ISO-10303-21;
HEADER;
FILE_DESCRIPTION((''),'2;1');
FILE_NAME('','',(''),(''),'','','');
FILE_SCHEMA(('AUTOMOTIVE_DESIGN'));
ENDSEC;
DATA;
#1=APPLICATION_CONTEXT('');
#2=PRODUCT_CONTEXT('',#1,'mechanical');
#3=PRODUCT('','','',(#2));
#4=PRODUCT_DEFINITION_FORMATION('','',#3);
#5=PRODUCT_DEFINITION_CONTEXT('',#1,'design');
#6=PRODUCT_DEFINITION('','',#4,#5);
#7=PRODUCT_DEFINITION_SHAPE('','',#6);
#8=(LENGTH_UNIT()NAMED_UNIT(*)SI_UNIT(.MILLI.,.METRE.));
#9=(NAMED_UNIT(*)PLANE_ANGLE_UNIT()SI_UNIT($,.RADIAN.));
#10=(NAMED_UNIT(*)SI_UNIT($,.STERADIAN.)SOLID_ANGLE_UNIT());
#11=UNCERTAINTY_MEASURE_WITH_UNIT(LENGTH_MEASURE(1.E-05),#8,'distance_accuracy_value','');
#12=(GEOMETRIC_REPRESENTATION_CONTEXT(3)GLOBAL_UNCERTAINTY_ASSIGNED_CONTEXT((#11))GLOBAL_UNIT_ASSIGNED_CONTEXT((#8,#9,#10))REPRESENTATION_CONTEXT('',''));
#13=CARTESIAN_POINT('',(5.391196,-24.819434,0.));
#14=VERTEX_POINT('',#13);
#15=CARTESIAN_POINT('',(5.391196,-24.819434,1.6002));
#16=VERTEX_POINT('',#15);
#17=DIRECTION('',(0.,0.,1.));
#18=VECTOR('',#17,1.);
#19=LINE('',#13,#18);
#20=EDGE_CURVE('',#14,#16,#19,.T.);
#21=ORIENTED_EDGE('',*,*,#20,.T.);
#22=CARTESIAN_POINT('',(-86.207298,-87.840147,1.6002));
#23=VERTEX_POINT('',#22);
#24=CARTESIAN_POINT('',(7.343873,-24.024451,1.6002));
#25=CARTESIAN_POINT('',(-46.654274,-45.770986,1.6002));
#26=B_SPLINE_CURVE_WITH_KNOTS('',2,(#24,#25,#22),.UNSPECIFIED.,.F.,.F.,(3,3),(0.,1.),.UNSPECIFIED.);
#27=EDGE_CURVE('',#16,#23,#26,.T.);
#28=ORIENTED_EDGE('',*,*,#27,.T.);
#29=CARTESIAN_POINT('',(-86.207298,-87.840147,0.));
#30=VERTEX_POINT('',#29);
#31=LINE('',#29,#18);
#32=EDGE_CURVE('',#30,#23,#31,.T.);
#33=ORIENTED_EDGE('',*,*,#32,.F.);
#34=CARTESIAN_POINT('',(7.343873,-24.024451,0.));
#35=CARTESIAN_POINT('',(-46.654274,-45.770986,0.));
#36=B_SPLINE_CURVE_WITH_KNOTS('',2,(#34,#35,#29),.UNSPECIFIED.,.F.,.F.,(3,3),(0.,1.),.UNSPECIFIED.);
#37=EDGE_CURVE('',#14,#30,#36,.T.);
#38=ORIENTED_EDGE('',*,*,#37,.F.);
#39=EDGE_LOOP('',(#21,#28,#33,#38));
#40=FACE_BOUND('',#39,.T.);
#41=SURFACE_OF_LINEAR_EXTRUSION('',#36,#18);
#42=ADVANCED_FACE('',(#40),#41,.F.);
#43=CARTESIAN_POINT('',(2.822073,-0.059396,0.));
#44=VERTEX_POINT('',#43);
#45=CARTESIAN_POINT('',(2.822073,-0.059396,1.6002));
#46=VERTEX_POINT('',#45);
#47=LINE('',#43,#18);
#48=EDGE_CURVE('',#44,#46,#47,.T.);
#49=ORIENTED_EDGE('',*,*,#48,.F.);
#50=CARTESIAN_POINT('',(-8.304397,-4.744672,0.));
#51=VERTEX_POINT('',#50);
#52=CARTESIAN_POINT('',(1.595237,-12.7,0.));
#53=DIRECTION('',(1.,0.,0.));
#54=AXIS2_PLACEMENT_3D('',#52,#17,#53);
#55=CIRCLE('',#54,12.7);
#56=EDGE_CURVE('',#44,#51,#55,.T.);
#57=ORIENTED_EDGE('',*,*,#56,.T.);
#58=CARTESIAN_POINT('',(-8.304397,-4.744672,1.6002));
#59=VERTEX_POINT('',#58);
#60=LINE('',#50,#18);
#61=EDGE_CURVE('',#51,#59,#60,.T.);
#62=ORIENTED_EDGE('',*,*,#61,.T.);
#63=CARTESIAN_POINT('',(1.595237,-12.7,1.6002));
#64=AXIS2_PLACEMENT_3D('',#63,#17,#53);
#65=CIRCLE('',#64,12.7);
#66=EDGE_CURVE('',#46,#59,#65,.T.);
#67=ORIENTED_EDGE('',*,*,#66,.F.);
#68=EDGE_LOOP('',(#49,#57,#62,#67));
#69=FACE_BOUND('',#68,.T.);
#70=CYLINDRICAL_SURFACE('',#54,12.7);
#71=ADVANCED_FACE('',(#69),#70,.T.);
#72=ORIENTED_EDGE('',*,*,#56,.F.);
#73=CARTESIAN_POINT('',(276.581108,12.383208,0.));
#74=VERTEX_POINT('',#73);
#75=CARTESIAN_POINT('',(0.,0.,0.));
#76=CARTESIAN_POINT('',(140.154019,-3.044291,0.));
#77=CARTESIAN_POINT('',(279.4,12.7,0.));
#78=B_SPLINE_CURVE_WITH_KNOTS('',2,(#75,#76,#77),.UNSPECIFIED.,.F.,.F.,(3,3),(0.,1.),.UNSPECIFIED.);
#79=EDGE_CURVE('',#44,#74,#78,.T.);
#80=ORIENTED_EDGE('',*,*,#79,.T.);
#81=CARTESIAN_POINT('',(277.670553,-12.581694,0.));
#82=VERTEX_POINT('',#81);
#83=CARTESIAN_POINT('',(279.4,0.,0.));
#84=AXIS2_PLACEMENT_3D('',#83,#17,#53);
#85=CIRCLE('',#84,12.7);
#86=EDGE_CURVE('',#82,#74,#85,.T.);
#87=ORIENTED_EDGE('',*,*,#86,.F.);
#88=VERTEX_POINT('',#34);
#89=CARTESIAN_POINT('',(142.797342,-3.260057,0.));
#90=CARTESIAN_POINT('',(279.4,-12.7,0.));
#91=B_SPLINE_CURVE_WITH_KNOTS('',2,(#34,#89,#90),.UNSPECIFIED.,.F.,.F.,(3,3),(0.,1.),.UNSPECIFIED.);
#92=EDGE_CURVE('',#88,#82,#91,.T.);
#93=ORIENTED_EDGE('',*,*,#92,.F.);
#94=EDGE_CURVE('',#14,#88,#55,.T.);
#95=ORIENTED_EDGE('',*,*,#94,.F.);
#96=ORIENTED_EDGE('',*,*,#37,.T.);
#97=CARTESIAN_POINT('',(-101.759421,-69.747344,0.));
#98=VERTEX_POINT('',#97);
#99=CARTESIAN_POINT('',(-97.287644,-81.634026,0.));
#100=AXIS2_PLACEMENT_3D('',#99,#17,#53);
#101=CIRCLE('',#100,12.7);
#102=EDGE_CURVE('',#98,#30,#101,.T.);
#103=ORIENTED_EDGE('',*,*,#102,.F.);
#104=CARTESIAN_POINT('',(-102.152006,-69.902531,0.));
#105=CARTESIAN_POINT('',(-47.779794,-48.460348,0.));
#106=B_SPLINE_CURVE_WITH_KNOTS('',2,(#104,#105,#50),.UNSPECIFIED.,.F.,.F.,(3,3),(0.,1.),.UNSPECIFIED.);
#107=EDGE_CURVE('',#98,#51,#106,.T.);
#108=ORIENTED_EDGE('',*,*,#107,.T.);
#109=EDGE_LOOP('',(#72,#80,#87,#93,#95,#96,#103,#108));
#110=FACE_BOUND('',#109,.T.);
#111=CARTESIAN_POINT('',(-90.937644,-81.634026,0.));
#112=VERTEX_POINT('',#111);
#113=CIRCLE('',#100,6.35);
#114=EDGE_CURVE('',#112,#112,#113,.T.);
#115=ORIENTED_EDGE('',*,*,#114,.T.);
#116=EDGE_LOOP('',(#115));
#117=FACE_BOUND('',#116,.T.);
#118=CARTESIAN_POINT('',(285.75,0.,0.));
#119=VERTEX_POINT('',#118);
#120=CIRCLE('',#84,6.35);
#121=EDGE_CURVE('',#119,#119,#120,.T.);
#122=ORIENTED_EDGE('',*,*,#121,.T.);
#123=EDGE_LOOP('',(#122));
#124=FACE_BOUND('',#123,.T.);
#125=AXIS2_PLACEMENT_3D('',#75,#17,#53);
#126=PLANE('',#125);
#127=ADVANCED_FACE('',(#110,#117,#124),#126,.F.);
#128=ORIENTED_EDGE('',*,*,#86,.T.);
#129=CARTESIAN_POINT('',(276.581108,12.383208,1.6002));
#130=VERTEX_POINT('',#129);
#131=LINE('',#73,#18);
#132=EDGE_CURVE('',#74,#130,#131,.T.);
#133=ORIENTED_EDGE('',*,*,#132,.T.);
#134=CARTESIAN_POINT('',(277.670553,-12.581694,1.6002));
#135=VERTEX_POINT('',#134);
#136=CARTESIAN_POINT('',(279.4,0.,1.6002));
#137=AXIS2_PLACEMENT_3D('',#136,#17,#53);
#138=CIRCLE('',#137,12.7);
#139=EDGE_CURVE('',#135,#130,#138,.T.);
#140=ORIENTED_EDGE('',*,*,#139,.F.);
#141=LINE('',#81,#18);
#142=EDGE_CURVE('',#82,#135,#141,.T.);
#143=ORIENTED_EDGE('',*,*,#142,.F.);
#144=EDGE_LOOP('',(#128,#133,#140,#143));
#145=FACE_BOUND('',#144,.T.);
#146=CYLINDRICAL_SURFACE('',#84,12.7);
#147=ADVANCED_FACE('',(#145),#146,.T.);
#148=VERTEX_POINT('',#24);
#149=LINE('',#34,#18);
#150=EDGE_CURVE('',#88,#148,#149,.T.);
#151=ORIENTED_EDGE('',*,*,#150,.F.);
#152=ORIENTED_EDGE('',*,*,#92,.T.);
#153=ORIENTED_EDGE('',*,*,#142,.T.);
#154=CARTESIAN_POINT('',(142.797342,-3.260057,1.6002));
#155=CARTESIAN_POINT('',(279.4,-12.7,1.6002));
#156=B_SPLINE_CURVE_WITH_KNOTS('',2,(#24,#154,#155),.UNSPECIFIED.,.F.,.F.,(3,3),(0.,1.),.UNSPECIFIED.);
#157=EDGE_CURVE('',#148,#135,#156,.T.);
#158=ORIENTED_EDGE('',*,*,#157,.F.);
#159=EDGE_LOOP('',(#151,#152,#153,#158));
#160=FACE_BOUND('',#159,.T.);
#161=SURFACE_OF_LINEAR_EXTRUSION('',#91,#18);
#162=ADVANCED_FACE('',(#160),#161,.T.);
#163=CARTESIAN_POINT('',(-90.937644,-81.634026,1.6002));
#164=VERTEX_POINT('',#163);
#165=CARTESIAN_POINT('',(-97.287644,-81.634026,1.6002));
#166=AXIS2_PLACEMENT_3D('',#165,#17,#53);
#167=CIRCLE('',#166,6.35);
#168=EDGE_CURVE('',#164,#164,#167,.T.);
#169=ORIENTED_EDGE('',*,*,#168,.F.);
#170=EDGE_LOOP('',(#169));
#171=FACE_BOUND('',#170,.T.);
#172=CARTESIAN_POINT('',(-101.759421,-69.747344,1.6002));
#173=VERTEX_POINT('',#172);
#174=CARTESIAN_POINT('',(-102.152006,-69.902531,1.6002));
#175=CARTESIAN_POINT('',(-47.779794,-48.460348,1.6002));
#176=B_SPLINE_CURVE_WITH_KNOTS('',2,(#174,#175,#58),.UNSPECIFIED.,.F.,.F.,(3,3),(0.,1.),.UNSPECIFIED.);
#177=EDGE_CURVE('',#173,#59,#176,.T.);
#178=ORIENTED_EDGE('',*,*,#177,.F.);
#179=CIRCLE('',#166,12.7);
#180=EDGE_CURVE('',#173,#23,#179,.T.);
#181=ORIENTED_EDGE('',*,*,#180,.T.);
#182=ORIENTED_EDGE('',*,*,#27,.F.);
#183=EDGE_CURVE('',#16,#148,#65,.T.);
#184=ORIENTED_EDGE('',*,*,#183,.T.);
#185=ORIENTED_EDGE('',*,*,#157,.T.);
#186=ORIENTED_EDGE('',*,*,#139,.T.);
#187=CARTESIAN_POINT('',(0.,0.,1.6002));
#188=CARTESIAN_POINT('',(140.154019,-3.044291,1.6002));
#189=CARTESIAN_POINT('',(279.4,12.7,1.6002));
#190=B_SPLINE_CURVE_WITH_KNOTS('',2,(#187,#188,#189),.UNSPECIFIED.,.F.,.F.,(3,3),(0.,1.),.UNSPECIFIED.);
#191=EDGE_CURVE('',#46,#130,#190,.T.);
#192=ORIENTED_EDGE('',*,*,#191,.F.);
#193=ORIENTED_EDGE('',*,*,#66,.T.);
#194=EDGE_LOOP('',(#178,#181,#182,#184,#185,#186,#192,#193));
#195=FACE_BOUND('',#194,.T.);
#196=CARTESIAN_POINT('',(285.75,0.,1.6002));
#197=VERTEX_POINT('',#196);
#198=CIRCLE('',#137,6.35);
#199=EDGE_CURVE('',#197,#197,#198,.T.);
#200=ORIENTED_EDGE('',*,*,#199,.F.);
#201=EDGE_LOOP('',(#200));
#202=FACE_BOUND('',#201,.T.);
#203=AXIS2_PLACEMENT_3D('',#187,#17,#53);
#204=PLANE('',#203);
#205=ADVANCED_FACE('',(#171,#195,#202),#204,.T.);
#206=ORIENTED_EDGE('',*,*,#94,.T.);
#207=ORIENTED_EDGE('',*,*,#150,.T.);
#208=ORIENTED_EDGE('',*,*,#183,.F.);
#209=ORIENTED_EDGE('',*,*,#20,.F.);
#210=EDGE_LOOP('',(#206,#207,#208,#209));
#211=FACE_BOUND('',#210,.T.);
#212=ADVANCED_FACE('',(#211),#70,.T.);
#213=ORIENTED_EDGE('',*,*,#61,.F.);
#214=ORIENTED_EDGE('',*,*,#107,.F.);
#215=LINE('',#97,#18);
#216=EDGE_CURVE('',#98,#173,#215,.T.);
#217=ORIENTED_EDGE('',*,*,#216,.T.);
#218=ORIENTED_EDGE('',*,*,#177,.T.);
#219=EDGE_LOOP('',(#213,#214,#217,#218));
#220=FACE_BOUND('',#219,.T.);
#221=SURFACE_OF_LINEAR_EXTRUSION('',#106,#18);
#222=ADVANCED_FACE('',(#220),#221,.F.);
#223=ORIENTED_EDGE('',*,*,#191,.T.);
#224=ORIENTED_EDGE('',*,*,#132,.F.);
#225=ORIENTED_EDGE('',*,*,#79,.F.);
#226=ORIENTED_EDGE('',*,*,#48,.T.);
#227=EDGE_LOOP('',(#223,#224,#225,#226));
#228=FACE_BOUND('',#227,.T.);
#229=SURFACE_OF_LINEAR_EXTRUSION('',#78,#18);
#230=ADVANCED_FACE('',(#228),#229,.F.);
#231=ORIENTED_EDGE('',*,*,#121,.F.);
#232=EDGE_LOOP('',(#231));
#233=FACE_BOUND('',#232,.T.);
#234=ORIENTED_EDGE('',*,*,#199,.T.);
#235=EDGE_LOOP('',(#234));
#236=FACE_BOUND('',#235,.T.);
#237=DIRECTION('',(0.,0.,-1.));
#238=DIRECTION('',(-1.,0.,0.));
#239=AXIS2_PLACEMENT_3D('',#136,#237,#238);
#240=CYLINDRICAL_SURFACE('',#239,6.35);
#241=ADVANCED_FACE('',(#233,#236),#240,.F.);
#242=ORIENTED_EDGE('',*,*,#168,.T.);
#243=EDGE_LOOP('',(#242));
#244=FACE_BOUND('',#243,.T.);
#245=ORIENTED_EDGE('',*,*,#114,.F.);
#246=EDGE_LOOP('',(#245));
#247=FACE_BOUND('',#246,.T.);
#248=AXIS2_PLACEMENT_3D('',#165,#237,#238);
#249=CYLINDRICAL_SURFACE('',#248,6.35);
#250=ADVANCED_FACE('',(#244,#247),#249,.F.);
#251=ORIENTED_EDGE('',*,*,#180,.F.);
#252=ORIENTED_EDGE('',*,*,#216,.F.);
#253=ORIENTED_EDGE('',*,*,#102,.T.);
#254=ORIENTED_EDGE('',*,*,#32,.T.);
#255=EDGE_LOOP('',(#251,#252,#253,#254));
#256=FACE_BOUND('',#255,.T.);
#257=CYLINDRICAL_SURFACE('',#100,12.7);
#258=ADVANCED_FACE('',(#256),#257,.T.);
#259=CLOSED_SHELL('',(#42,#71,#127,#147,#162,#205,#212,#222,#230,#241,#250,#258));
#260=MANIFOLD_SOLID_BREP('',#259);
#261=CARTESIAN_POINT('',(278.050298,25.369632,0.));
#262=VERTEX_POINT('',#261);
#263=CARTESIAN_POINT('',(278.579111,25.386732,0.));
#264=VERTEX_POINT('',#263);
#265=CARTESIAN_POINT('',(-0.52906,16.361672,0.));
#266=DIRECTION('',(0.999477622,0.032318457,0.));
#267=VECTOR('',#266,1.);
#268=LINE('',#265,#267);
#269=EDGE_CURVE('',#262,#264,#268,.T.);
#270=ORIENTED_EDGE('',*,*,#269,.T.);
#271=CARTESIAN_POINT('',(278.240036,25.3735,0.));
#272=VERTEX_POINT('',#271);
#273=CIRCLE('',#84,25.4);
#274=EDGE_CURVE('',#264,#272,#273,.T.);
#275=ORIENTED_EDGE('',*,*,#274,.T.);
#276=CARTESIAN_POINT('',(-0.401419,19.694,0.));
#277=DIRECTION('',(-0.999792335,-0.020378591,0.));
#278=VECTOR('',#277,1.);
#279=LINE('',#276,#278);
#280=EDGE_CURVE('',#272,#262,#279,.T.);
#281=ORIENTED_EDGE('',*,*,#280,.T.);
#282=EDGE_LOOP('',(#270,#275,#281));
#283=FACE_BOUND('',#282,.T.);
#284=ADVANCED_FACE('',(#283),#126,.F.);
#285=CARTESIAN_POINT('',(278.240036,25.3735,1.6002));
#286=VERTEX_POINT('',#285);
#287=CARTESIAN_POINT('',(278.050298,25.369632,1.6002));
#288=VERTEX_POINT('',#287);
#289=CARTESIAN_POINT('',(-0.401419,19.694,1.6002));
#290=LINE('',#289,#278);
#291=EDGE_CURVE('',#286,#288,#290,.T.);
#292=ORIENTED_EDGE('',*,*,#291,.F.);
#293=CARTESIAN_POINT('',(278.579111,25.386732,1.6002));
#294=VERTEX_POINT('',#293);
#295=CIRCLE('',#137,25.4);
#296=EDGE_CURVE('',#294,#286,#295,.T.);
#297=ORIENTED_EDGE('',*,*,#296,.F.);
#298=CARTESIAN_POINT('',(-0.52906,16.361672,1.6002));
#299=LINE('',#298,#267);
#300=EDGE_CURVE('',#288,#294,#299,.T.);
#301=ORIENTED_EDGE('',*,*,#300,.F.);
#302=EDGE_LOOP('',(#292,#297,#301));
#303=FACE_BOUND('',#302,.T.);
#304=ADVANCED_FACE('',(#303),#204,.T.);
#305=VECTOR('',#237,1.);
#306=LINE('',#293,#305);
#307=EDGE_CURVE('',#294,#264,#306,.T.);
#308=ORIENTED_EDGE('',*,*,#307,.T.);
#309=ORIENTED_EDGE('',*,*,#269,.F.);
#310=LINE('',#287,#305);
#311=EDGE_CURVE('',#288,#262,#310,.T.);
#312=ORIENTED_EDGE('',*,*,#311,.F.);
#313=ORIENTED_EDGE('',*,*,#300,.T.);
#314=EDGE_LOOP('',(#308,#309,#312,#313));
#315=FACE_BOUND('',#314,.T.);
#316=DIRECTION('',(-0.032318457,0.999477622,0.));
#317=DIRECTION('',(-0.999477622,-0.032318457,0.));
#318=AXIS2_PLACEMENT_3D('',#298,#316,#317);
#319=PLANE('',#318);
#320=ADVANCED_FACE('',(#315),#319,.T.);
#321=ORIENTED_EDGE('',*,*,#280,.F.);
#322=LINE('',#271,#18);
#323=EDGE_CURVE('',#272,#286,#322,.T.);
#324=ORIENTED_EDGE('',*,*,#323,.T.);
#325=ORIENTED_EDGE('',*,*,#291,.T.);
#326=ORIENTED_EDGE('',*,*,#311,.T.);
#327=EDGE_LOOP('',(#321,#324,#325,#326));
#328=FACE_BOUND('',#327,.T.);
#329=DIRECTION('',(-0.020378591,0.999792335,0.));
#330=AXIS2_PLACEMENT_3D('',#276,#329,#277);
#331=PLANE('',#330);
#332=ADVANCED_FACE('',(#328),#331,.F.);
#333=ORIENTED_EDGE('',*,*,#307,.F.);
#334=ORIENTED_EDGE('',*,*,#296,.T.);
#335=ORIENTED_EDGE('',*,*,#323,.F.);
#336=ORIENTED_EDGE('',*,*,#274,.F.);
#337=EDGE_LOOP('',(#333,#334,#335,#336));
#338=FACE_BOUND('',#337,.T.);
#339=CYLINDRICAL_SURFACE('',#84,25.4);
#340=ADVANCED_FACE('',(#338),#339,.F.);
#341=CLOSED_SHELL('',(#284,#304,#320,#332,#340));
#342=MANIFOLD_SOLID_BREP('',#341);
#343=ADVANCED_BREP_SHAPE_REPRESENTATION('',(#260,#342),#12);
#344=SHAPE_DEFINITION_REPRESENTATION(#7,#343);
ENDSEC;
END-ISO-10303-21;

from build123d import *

# Parameters (mm, degrees)
SKETCH1_R           = 6.35
BOSS_EXTRUDE1_DEPTH = 1.6002
CUT_EXTRUDE1_DEPTH  = 324.050899169


with BuildPart() as part:
    # Sketch1 → Boss-Extrude1 (new body)
    with BuildSketch(Plane.XY):
        with BuildLine():
            Line((2.626401935, -38.912231208), (-82.119119601, -102.007437023))
            ThreePointArc((-82.119119601, -102.007437023), (-117.661054869, -96.802551105), (-112.456168951, -61.260615837))
            Line((-112.456168951, -61.260615837), (-10.589115987, 14.582007538))
            ThreePointArc((-10.589115987, 14.582007538), (-2.059055044, 17.903201209), (7.002261578, 16.605199607))
            Line((7.002261578, 16.605199607), (278.579111194, 25.386731605))
            ThreePointArc((278.579111194, 25.386731605), (304.786731605, 0.820888806), (280.220888806, -25.386731605))
            Line((280.220888806, -25.386731605), (16.974037803, -33.898910196))
            ThreePointArc((16.974037803, -33.898910196), (9.416461191, -35.307290789), (2.626401935, -38.912231208))
        make_face()
        with Locations((279.4, 0)):
            Circle(SKETCH1_R, mode=Mode.SUBTRACT)
        with Locations((-97.287644276, -81.63402643)):
            Circle(SKETCH1_R, mode=Mode.SUBTRACT)
    extrude(amount=BOSS_EXTRUDE1_DEPTH)

    # Sketch2 → Cut-Extrude1 (cut, through all)
    with BuildSketch(Plane.XY.offset(1.6002)):
        with BuildLine():
            Line((-53.969446012, -4.744671806), (-134.329544165, -73.239132517))
            ThreePointArc((-134.329544165, -73.239132517), (-125.60525441, -106.945872422), (-93.084490484, -119.382007693))
            Line((-93.084490484, -119.382007693), (5.391196219, -67.591740386))
            Line((5.391196219, -67.591740386), (280.559963716, -25.373499644))
            ThreePointArc((280.559963716, -25.373499644), (304.773499644, 1.159963716), (278.240036284, 25.373499644))
            Line((278.240036284, 25.373499644), (46.741351585, 20.654902712))
            ThreePointArc((46.741351585, 20.654902712), (10.69565429, 42.688659664), (-30.505126744, 33.346583817))
            ThreePointArc((-30.505126744, 33.346583817), (-46.196248082, 16.739687412), (-53.969446012, -4.744671806))
        make_face()
        with BuildLine():
            ThreePointArc((-102.152006015, -69.902531007), (-101.956358466, -69.823306392), (-101.759421239, -69.747344354))
            add(Edge.make_bspline(
                [(-101.759421239, -69.747344354), (-47.637210532, -48.302448827), (-8.304397238, -4.744671806)],
                knots=[0.003611947, 0.003611947, 0.003611947, 1, 1, 1], degree=2))
            ThreePointArc((-8.304397238, -4.744671806), (-4.207074532, -1.402956863), (0.895916614, -0.019268502))
            ThreePointArc((0.895916614, -0.019268502), (1.85975658, -0.002755052), (2.822072535, -0.059395822))
            add(Edge.make_bspline(
                [(2.822072535, -0.059395822), (140.13746109, -2.856877681), (276.581108414, 12.383208398)],
                knots=[0.010068083, 0.010068083, 0.010068083, 0.989878349, 0.989878349, 0.989878349], degree=2))
            ThreePointArc((276.581108414, 12.383208398), (277.981681745, 12.620553606), (279.4, 12.7))
            ThreePointArc((279.4, 12.7), (292.1, 0), (279.4, -12.7))
            ThreePointArc((279.4, -12.7), (278.533255688, -12.670388877), (277.670553151, -12.58169359))
            add(Edge.make_bspline(
                [(7.343872653, -24.024450777), (141.939870387, -3.391503831), (277.670553151, -12.58169359)],
                knots=[0, 0, 0, 0.993669622, 0.993669622, 0.993669622], degree=2))
            ThreePointArc((7.343872653, -24.024450777), (6.384059671, -24.462532684), (5.391196219, -24.819434467))
            add(Edge.make_bspline(
                [(5.391196219, -24.819434467), (-47.371168783, -46.53348503), (-86.207298162, -87.840146796)],
                knots=[0.018124898, 0.018124898, 0.018124898, 1, 1, 1], degree=2))
            ThreePointArc((-86.207298162, -87.840146796), (-106.779700454, -90.071494623), (-102.152006015, -69.902531007))
        make_face(mode=Mode.SUBTRACT)
    extrude(amount=-CUT_EXTRUDE1_DEPTH, mode=Mode.SUBTRACT)


with BuildPart() as cut_extrude1_piece_1:
    # of the separate pieces the step leaves, piece 1, a body of its own (cut_extrude1_pieces)
    add(part.part.solids().sort_by_distance((277.670553151, -12.58169359, 0))[0])


with BuildPart() as cut_extrude1_piece_2:
    # of the separate pieces the step leaves, piece 2, a body of its own (cut_extrude1_pieces)
    add(part.part.solids().sort_by_distance((278.050297658, 25.369632235, 0))[0])


solid = Compound([cut_extrude1_piece_1.part, cut_extrude1_piece_2.part])
